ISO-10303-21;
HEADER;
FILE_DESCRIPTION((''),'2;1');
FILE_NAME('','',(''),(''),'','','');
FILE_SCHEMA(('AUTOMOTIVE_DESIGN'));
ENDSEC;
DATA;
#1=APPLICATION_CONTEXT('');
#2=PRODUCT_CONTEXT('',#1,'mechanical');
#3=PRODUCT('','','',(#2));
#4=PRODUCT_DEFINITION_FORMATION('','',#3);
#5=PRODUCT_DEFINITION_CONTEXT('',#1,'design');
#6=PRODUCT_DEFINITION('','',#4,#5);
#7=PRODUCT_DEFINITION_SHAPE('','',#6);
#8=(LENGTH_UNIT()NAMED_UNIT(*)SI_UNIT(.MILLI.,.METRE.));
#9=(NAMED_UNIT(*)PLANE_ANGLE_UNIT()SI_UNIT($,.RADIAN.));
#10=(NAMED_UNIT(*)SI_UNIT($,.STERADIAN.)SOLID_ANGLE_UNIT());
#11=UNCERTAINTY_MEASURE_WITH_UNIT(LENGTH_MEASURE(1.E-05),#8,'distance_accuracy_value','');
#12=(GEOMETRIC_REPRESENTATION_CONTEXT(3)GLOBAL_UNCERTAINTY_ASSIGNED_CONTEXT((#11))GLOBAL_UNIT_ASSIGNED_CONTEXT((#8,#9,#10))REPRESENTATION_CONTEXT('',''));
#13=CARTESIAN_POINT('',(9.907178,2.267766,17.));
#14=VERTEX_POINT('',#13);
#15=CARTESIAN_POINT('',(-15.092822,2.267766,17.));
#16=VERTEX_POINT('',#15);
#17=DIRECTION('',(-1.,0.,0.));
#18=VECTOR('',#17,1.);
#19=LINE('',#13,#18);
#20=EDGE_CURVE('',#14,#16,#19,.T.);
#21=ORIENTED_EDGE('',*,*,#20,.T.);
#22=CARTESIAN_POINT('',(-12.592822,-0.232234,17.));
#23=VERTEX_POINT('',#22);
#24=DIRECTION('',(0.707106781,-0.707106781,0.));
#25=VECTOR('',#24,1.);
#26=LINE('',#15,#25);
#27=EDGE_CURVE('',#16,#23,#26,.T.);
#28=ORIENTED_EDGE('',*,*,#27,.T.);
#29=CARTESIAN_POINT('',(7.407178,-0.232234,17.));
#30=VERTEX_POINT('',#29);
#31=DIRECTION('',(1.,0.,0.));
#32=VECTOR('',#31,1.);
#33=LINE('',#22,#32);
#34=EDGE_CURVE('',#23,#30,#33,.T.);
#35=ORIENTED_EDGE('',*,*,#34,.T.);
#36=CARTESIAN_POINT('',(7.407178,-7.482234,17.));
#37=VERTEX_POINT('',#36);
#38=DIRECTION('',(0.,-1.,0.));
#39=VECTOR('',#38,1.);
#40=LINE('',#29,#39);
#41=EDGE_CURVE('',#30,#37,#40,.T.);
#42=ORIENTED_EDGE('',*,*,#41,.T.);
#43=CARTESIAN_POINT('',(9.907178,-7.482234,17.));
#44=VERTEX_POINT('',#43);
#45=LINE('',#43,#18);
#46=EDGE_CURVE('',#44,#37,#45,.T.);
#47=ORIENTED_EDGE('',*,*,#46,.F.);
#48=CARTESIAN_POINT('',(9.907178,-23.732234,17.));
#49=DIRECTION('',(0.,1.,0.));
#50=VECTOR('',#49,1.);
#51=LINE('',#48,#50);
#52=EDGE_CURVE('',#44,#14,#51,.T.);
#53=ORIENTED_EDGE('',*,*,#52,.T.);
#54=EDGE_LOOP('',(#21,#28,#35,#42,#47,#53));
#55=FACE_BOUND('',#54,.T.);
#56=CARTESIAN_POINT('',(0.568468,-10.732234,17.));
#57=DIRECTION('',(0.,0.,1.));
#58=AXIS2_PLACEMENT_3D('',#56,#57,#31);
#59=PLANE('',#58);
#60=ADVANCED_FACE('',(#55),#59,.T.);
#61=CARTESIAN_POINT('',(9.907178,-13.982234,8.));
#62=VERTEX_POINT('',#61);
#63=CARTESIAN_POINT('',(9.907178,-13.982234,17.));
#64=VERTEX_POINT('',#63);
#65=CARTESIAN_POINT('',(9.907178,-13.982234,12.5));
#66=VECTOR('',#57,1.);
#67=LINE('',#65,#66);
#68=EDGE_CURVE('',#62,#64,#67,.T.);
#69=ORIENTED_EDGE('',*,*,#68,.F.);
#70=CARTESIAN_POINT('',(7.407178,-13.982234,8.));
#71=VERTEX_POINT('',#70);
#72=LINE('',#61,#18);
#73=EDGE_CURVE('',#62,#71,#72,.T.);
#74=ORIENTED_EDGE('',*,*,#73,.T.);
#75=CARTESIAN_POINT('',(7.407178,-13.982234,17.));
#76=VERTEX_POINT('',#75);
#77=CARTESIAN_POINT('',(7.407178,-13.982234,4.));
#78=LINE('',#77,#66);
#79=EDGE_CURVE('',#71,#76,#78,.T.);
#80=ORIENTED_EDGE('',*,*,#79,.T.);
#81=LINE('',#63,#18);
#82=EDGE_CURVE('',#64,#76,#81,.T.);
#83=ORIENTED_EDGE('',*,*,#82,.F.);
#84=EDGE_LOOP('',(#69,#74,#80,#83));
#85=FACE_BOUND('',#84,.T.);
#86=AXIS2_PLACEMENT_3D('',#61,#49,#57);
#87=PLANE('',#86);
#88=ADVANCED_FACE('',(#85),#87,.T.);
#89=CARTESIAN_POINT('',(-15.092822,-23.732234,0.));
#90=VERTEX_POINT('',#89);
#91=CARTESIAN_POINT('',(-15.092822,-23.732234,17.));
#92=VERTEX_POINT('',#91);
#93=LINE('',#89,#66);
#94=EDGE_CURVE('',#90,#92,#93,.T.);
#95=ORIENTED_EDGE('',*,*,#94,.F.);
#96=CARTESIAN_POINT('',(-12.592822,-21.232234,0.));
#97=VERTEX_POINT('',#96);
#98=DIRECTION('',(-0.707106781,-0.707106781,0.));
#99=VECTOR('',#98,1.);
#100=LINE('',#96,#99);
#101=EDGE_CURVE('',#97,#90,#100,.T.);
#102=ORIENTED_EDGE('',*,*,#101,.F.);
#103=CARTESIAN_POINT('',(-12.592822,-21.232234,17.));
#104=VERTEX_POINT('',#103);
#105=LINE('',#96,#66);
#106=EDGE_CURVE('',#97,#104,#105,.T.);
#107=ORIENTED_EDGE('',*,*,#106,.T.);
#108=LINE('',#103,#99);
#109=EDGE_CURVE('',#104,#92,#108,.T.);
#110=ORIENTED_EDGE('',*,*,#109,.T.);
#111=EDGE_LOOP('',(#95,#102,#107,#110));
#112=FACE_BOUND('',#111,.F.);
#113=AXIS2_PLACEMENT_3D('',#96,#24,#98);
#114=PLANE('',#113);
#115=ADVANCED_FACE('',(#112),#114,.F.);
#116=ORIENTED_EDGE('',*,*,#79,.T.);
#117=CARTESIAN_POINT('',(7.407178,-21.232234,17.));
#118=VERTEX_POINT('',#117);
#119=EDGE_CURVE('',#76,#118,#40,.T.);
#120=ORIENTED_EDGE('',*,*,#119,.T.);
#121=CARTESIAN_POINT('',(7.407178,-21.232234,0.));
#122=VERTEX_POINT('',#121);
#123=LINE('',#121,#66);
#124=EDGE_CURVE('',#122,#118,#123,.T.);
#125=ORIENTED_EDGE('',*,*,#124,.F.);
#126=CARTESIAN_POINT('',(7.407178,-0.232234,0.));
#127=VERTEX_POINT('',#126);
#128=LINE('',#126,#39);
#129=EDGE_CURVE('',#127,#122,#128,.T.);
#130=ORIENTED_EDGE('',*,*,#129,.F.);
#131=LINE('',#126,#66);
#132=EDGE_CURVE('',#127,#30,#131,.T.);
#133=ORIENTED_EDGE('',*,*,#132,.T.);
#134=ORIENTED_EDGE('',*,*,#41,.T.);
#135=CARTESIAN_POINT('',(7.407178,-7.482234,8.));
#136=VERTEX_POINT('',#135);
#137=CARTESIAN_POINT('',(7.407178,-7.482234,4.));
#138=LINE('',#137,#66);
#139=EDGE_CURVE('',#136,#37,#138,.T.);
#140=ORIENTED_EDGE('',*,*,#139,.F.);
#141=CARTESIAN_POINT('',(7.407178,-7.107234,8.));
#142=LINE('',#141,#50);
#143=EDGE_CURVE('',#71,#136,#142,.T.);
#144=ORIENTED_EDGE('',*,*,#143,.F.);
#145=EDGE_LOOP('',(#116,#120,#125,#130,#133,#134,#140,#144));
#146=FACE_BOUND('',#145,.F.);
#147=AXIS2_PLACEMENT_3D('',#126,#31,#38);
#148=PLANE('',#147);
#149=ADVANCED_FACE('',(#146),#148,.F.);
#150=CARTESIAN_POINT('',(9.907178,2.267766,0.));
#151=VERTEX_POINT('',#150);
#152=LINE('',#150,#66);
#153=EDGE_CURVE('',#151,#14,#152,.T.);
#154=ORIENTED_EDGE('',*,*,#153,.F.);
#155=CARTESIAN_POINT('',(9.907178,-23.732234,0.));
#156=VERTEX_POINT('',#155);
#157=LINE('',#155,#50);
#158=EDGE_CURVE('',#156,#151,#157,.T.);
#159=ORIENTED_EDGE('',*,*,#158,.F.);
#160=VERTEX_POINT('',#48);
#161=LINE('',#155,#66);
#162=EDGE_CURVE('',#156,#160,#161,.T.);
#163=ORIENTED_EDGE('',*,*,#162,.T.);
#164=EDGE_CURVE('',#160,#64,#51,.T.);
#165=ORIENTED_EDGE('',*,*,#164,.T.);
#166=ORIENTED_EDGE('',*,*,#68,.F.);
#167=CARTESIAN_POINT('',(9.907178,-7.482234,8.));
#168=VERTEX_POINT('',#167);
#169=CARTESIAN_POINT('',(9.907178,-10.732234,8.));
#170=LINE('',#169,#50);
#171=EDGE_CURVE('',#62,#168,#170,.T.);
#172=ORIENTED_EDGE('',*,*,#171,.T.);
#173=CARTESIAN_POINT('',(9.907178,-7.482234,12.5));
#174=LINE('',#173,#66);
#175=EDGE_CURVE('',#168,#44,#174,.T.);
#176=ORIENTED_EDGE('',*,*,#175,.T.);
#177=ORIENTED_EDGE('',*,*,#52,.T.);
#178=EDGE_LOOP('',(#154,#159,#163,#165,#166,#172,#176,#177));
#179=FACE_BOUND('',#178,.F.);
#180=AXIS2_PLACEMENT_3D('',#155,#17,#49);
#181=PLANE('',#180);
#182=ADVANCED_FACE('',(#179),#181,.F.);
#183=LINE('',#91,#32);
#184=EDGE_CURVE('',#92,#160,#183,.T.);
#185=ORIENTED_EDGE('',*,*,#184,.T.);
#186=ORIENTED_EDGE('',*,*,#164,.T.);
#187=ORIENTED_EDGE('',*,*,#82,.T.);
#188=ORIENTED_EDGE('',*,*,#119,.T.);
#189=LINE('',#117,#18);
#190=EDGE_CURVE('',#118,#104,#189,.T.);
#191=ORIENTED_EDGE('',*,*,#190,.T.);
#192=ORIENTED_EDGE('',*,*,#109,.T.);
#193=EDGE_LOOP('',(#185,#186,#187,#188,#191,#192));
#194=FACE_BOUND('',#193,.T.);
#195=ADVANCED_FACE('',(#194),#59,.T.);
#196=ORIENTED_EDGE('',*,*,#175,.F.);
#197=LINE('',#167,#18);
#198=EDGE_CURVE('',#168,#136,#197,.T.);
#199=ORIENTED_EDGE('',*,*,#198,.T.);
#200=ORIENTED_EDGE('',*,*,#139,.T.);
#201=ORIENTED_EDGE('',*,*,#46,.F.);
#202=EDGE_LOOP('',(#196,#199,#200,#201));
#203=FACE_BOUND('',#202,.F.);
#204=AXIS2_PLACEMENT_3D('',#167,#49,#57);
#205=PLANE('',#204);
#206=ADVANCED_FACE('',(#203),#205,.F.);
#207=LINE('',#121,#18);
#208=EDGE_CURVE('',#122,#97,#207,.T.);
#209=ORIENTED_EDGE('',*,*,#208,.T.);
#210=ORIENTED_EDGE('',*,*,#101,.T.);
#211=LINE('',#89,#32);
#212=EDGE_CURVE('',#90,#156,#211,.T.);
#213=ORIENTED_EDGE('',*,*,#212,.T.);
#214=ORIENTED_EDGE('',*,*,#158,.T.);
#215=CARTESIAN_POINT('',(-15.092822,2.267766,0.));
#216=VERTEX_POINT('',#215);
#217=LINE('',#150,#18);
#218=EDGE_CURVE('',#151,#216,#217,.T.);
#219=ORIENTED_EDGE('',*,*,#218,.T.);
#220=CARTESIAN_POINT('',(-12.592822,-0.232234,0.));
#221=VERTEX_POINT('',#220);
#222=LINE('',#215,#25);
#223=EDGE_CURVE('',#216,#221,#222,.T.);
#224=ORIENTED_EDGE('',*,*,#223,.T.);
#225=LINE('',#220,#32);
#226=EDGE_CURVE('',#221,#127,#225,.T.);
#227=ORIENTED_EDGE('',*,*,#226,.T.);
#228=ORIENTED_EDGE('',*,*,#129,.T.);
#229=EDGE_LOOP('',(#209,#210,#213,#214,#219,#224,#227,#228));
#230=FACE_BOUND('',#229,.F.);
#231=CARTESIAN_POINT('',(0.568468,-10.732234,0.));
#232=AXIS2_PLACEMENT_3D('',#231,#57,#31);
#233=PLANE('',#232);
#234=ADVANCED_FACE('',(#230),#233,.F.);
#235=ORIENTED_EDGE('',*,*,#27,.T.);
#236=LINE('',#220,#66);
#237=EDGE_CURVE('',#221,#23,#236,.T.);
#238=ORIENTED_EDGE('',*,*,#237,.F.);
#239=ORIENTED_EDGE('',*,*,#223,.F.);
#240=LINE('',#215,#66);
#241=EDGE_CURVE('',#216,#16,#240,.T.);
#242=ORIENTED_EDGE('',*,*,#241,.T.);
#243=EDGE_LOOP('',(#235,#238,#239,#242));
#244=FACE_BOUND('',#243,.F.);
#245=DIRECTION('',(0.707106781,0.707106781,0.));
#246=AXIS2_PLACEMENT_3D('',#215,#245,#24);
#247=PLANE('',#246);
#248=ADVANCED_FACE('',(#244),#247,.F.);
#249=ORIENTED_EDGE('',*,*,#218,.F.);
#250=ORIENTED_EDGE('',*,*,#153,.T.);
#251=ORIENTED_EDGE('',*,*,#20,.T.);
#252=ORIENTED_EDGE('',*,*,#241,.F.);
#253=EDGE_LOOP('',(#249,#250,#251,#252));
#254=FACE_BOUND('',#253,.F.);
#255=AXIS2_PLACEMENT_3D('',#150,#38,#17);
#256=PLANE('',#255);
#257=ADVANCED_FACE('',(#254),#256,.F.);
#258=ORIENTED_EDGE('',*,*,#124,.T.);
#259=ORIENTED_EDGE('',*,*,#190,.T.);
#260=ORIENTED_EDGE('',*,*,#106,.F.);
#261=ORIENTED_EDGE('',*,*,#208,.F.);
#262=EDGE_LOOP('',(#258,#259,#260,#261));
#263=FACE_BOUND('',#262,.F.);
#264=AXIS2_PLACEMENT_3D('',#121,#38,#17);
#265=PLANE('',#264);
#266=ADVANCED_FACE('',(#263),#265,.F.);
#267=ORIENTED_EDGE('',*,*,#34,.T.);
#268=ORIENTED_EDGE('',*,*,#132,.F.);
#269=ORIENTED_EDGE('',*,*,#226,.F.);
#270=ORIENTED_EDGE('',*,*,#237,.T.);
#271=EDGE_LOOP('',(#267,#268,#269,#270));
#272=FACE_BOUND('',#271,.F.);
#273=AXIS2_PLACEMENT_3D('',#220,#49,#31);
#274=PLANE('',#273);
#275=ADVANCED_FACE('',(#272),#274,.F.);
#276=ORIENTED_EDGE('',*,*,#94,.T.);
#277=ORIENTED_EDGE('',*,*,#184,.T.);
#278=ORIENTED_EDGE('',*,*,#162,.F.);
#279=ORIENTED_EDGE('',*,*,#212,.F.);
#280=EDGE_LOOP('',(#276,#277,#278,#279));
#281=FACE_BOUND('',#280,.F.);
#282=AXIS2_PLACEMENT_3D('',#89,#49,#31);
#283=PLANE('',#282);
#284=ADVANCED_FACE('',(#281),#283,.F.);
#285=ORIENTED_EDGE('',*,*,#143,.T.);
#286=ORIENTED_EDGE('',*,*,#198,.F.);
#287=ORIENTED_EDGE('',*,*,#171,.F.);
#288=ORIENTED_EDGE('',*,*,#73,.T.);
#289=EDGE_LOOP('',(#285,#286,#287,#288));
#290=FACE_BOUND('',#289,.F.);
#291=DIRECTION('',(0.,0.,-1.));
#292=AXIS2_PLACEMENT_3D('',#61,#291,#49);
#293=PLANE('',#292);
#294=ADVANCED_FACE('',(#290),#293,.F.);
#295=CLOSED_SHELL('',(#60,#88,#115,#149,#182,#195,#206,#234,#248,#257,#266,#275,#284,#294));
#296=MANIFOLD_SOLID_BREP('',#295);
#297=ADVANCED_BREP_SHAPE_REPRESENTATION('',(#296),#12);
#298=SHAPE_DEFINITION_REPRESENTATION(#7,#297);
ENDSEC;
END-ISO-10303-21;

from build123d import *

# Parameters (mm, degrees)
F1_DEPTH = 17
F2_W     = 6.5
F2_H     = 9
F3_DEPTH = 25


with BuildPart() as f1:
    # F0 (on Top) → F1 (new body)
    with BuildSketch(Plane.XY):
        Polygon((-15.092822, 2.267766), (-12.592822, -0.232234), (7.407178, -0.232234), (7.407178, -21.232234), (-12.592822, -21.232234), (-15.092822, -23.732234), (9.907178, -23.732234), (9.907178, 2.267766), align=None)
    extrude(amount=F1_DEPTH)

    # F2 (on face) → F3 (cut)
    with BuildSketch(Plane.YZ.offset(9.907178)):
        with Locations((-10.732234, 12.5)):
            Rectangle(F2_W, F2_H)
    extrude(amount=-F3_DEPTH, mode=Mode.SUBTRACT)


solid = f1.part
